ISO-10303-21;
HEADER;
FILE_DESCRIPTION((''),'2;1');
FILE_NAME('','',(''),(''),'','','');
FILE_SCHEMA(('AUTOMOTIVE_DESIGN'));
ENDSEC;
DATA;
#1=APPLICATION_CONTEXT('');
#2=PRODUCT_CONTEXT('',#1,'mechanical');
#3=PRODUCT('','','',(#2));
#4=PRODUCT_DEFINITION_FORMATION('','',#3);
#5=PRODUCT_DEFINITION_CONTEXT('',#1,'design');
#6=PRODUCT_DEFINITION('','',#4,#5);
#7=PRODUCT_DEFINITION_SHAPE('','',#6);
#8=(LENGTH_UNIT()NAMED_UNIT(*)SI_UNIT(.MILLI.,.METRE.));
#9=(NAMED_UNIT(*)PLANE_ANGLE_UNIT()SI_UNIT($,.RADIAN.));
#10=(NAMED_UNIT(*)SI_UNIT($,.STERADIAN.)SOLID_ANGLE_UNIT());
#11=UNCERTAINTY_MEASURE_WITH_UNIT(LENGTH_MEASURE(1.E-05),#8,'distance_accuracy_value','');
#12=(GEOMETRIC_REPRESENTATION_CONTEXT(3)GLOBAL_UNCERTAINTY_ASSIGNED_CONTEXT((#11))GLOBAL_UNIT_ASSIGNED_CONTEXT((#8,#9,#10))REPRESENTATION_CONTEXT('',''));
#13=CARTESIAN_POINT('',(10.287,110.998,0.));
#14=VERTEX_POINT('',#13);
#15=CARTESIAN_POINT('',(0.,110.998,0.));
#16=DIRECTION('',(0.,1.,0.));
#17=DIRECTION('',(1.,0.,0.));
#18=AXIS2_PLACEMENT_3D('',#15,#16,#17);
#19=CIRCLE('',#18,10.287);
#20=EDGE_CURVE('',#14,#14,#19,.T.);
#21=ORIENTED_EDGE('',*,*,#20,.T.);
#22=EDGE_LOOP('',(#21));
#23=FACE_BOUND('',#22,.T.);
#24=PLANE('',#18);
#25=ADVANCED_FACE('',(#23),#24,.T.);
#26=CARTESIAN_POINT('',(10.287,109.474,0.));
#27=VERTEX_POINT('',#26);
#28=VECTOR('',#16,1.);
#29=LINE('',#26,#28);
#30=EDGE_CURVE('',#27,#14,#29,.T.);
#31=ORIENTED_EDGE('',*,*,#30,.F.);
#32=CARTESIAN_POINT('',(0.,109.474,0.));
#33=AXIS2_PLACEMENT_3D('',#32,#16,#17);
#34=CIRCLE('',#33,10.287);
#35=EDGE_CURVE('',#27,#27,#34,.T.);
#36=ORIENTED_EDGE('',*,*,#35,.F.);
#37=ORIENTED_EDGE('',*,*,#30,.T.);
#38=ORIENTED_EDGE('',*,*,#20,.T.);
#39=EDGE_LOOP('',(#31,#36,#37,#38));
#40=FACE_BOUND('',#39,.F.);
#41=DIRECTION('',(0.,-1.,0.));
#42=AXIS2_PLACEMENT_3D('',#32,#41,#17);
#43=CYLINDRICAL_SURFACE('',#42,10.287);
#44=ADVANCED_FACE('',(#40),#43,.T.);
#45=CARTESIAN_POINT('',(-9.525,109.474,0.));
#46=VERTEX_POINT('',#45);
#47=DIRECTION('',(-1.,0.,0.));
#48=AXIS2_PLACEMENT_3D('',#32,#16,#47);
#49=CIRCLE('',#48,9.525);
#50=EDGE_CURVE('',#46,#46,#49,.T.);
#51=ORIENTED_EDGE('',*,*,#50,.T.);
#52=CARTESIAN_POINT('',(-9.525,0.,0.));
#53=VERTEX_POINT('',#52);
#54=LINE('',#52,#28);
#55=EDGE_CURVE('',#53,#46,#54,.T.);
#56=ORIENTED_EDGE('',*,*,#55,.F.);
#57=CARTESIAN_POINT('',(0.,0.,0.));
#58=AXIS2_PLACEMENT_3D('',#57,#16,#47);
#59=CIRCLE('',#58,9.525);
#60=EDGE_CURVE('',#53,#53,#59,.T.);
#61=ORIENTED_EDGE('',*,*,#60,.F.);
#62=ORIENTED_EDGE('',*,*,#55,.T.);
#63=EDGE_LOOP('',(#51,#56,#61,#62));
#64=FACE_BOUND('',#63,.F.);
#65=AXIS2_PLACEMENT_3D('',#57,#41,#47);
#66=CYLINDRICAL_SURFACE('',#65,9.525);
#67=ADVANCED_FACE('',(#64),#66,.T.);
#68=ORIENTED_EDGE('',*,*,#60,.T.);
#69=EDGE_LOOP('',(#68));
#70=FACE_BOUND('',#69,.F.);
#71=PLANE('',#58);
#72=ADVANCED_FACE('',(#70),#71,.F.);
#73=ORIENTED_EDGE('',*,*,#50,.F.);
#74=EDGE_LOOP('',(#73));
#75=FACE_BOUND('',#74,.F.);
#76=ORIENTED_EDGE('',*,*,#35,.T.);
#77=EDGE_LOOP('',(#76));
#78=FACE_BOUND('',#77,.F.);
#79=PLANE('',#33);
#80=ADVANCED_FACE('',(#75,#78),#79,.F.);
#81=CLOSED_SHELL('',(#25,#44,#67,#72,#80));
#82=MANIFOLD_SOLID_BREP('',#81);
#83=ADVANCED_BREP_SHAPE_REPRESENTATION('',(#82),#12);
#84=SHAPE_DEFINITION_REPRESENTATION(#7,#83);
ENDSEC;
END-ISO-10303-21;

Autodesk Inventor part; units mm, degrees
ref_plane "YZ Plane" through (0, 0, 0) normal (1, 0, 0) x (0, 1, 0)
ref_plane "XZ Plane" through (0, 0, 0) normal (0, 1, 0) x (-1, 0, 0)
ref_plane "XY Plane" through (0, 0, 0) normal (0, 0, 1) x (1, 0, 0)
sketch "Sketch1" plane through (0, 0, 0) normal (0, 1, 0) x (-1, 0, 0)
  circle A0 centre (0, 0) radius 9.525
  dimension "d0" = 19.05
extrude "Extrusion1" add sketch "Sketch1" along normal blind 109.474
sketch "Sketch2" plane through (0, 109.474, 0) normal (0, 1, 0) x (1, 0, 0)
  circle A0 centre (0, 0) radius 10.287
  dimension "d3" = 20.574
extrude "Extrusion2" add sketch "Sketch2" along normal blind 1.524
properties part number "plunger"
